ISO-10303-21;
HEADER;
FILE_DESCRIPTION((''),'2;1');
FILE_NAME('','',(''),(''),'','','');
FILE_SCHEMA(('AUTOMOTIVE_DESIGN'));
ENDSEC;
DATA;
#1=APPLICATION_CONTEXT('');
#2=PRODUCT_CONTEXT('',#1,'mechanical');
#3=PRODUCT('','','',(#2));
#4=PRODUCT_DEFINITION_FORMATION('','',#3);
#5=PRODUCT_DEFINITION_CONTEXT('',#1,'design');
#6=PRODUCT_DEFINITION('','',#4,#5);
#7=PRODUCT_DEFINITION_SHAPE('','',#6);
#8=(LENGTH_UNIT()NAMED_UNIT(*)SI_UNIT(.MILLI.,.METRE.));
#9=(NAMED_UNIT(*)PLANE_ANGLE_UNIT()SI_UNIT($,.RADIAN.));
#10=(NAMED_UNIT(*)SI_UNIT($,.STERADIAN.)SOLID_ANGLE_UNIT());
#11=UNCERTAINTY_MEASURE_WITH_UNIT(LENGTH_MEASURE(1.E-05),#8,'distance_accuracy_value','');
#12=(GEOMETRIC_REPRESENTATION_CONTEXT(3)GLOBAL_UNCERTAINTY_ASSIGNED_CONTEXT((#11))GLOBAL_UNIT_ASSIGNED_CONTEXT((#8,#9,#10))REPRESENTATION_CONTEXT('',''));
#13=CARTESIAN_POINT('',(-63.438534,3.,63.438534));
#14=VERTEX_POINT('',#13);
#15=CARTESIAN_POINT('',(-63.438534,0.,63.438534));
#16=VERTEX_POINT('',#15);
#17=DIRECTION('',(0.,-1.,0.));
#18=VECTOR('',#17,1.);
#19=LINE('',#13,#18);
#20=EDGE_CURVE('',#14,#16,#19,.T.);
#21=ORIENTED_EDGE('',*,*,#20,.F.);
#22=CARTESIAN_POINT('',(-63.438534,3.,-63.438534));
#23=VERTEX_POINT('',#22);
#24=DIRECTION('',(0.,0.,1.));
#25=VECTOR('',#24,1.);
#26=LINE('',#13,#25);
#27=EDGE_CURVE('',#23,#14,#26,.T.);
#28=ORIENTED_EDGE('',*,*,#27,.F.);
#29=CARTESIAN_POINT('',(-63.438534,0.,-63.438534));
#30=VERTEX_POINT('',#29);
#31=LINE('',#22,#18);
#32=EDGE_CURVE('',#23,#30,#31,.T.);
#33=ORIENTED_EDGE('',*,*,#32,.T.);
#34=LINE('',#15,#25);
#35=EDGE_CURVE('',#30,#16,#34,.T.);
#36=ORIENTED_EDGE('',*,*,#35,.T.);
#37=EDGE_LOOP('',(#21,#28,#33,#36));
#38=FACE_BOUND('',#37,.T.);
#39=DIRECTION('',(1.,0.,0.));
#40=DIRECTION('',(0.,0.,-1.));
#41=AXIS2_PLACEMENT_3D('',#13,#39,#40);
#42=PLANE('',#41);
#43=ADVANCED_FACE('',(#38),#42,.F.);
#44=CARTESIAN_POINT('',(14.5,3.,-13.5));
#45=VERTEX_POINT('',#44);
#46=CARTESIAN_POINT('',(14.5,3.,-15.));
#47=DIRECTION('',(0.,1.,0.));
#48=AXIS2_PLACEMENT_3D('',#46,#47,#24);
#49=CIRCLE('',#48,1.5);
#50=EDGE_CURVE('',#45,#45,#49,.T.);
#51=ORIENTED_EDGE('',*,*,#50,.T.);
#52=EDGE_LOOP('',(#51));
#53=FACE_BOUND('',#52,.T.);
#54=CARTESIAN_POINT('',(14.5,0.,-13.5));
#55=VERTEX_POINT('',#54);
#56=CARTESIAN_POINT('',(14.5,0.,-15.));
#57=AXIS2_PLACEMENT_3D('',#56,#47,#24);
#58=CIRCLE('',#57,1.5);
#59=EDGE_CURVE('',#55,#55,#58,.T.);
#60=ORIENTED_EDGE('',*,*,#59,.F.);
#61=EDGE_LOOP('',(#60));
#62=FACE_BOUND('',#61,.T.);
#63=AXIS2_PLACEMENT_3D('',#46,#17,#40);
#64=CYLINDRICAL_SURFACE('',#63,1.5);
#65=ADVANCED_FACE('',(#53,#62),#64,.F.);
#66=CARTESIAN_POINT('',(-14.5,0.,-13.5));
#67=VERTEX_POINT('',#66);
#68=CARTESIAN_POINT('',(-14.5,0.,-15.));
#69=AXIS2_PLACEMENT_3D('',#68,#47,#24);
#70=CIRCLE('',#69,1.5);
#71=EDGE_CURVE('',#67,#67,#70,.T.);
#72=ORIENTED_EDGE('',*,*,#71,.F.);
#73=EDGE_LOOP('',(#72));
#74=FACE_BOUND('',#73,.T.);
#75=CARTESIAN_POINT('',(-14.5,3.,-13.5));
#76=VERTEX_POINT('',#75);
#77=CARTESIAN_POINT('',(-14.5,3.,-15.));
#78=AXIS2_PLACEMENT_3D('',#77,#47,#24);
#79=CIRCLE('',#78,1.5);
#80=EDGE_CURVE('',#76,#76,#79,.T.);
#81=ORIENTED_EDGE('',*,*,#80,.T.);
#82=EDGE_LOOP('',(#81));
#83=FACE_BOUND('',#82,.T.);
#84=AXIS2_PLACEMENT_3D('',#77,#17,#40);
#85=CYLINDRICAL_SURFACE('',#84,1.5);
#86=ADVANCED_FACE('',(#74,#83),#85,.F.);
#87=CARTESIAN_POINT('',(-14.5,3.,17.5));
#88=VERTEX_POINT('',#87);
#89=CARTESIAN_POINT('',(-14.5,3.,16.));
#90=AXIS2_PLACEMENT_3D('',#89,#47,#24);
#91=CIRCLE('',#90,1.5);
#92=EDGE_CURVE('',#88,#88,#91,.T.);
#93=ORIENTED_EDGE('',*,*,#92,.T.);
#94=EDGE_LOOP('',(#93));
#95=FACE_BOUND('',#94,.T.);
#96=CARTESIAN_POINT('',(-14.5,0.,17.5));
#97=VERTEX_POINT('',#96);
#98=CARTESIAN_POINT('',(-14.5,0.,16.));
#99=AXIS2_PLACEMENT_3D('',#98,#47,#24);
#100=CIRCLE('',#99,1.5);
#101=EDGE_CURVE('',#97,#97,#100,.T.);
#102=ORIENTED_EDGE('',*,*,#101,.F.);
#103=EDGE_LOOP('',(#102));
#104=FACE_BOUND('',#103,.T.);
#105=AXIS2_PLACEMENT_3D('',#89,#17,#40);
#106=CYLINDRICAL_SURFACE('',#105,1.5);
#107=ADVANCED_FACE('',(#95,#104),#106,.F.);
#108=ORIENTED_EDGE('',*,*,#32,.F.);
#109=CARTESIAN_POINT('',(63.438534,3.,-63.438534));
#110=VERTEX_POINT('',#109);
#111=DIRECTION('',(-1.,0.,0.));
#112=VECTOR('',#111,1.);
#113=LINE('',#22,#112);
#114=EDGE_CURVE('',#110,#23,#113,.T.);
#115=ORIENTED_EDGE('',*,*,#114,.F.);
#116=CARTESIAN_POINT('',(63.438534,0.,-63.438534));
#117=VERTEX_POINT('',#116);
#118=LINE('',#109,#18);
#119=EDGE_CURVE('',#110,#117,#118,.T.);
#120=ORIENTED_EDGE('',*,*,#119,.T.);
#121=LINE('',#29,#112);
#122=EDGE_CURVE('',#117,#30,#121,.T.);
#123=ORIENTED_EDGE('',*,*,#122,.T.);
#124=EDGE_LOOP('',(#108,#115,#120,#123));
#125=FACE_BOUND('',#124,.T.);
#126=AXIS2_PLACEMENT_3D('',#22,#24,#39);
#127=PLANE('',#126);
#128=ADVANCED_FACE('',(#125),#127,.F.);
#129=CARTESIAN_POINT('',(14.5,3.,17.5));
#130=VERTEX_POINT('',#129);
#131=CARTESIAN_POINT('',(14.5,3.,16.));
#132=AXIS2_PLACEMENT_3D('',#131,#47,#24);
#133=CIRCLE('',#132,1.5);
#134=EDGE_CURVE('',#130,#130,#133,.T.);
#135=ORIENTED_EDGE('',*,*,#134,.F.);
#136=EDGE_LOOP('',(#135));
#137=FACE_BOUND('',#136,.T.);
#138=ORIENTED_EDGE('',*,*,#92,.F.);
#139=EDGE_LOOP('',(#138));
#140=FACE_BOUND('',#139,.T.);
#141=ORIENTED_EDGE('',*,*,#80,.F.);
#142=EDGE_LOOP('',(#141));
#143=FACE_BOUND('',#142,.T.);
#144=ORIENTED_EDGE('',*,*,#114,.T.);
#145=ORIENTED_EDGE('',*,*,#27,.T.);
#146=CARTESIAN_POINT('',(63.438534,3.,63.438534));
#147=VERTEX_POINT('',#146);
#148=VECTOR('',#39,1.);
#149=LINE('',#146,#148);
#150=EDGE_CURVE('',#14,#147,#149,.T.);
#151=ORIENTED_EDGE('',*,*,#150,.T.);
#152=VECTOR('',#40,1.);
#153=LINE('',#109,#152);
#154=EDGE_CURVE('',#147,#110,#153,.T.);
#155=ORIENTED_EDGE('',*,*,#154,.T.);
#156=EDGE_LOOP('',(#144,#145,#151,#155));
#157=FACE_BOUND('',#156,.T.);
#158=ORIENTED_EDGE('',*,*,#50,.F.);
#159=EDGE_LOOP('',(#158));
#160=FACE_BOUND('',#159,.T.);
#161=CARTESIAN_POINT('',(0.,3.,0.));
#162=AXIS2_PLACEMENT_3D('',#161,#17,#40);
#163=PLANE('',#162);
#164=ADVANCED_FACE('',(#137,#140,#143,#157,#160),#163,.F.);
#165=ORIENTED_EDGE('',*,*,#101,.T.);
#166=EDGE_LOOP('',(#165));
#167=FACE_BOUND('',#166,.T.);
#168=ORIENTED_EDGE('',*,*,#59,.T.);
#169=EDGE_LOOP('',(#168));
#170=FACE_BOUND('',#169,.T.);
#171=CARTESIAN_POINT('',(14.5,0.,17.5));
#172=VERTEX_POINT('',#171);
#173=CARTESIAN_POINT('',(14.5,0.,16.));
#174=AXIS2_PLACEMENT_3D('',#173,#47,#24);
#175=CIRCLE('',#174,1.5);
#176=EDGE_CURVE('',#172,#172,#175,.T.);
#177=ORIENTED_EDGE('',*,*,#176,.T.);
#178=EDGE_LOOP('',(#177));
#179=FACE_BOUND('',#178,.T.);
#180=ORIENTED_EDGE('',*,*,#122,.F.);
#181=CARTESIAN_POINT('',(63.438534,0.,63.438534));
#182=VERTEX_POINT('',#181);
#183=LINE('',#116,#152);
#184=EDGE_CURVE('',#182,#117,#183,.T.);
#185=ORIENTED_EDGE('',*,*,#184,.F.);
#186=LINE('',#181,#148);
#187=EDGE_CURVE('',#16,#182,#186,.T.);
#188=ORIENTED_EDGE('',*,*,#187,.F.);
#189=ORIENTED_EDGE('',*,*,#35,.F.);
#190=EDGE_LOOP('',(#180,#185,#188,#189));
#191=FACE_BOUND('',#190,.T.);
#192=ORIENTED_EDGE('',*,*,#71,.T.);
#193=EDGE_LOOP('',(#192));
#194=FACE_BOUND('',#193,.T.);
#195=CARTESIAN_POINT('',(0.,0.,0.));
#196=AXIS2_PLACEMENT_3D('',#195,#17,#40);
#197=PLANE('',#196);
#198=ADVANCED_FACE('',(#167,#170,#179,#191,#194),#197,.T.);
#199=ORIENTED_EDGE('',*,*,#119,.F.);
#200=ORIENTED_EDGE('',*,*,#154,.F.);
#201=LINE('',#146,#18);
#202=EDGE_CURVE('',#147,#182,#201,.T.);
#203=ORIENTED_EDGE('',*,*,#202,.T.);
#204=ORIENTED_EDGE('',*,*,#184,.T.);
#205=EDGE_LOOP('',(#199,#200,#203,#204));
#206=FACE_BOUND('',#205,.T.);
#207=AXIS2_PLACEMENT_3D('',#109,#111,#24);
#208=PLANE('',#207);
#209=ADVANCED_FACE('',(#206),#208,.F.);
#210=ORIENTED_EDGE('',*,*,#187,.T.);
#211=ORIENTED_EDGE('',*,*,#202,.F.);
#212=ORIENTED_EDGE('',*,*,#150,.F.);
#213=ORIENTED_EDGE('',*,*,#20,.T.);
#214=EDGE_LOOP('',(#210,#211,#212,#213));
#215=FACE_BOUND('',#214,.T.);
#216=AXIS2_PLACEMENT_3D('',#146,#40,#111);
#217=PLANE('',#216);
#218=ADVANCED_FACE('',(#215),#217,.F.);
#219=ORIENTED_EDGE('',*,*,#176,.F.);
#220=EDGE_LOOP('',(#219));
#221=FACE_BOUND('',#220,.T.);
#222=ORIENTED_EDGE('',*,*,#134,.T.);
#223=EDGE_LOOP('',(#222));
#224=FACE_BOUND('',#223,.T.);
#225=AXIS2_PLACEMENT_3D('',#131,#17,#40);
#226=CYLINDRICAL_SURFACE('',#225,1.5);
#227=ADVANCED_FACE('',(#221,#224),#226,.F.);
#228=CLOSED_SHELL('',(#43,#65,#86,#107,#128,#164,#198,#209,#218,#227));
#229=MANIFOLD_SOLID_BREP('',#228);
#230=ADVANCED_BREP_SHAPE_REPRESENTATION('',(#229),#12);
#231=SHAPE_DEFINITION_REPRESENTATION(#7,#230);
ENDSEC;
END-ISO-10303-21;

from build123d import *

# Parameters (mm, degrees)
SKETCH2_W           = 126.877068242
SKETCH2_H           = 126.877068242
SKETCH2_R           = 1.5
BOSS_EXTRUDE1_DEPTH = 3


with BuildPart() as part:
    # Sketch2 → Boss-Extrude1 (new body)
    with BuildSketch(Plane(origin=(0, 0, 0), x_dir=(1, 0, 0), z_dir=(0, 1, 0))):
        Rectangle(SKETCH2_W, SKETCH2_H)
        with Locations(Location((14.5, 15, 0), (0, 0, 270))):
            Circle(SKETCH2_R, mode=Mode.SUBTRACT)
        with Locations(Location((-14.5, 15, 0), (0, 0, 270))):
            Circle(SKETCH2_R, mode=Mode.SUBTRACT)
        with Locations(Location((-14.5, -16, 0), (0, 0, 270))):
            Circle(SKETCH2_R, mode=Mode.SUBTRACT)
        with Locations(Location((14.5, -16, 0), (0, 0, 270))):
            Circle(SKETCH2_R, mode=Mode.SUBTRACT)
    extrude(amount=BOSS_EXTRUDE1_DEPTH)


solid = part.part
